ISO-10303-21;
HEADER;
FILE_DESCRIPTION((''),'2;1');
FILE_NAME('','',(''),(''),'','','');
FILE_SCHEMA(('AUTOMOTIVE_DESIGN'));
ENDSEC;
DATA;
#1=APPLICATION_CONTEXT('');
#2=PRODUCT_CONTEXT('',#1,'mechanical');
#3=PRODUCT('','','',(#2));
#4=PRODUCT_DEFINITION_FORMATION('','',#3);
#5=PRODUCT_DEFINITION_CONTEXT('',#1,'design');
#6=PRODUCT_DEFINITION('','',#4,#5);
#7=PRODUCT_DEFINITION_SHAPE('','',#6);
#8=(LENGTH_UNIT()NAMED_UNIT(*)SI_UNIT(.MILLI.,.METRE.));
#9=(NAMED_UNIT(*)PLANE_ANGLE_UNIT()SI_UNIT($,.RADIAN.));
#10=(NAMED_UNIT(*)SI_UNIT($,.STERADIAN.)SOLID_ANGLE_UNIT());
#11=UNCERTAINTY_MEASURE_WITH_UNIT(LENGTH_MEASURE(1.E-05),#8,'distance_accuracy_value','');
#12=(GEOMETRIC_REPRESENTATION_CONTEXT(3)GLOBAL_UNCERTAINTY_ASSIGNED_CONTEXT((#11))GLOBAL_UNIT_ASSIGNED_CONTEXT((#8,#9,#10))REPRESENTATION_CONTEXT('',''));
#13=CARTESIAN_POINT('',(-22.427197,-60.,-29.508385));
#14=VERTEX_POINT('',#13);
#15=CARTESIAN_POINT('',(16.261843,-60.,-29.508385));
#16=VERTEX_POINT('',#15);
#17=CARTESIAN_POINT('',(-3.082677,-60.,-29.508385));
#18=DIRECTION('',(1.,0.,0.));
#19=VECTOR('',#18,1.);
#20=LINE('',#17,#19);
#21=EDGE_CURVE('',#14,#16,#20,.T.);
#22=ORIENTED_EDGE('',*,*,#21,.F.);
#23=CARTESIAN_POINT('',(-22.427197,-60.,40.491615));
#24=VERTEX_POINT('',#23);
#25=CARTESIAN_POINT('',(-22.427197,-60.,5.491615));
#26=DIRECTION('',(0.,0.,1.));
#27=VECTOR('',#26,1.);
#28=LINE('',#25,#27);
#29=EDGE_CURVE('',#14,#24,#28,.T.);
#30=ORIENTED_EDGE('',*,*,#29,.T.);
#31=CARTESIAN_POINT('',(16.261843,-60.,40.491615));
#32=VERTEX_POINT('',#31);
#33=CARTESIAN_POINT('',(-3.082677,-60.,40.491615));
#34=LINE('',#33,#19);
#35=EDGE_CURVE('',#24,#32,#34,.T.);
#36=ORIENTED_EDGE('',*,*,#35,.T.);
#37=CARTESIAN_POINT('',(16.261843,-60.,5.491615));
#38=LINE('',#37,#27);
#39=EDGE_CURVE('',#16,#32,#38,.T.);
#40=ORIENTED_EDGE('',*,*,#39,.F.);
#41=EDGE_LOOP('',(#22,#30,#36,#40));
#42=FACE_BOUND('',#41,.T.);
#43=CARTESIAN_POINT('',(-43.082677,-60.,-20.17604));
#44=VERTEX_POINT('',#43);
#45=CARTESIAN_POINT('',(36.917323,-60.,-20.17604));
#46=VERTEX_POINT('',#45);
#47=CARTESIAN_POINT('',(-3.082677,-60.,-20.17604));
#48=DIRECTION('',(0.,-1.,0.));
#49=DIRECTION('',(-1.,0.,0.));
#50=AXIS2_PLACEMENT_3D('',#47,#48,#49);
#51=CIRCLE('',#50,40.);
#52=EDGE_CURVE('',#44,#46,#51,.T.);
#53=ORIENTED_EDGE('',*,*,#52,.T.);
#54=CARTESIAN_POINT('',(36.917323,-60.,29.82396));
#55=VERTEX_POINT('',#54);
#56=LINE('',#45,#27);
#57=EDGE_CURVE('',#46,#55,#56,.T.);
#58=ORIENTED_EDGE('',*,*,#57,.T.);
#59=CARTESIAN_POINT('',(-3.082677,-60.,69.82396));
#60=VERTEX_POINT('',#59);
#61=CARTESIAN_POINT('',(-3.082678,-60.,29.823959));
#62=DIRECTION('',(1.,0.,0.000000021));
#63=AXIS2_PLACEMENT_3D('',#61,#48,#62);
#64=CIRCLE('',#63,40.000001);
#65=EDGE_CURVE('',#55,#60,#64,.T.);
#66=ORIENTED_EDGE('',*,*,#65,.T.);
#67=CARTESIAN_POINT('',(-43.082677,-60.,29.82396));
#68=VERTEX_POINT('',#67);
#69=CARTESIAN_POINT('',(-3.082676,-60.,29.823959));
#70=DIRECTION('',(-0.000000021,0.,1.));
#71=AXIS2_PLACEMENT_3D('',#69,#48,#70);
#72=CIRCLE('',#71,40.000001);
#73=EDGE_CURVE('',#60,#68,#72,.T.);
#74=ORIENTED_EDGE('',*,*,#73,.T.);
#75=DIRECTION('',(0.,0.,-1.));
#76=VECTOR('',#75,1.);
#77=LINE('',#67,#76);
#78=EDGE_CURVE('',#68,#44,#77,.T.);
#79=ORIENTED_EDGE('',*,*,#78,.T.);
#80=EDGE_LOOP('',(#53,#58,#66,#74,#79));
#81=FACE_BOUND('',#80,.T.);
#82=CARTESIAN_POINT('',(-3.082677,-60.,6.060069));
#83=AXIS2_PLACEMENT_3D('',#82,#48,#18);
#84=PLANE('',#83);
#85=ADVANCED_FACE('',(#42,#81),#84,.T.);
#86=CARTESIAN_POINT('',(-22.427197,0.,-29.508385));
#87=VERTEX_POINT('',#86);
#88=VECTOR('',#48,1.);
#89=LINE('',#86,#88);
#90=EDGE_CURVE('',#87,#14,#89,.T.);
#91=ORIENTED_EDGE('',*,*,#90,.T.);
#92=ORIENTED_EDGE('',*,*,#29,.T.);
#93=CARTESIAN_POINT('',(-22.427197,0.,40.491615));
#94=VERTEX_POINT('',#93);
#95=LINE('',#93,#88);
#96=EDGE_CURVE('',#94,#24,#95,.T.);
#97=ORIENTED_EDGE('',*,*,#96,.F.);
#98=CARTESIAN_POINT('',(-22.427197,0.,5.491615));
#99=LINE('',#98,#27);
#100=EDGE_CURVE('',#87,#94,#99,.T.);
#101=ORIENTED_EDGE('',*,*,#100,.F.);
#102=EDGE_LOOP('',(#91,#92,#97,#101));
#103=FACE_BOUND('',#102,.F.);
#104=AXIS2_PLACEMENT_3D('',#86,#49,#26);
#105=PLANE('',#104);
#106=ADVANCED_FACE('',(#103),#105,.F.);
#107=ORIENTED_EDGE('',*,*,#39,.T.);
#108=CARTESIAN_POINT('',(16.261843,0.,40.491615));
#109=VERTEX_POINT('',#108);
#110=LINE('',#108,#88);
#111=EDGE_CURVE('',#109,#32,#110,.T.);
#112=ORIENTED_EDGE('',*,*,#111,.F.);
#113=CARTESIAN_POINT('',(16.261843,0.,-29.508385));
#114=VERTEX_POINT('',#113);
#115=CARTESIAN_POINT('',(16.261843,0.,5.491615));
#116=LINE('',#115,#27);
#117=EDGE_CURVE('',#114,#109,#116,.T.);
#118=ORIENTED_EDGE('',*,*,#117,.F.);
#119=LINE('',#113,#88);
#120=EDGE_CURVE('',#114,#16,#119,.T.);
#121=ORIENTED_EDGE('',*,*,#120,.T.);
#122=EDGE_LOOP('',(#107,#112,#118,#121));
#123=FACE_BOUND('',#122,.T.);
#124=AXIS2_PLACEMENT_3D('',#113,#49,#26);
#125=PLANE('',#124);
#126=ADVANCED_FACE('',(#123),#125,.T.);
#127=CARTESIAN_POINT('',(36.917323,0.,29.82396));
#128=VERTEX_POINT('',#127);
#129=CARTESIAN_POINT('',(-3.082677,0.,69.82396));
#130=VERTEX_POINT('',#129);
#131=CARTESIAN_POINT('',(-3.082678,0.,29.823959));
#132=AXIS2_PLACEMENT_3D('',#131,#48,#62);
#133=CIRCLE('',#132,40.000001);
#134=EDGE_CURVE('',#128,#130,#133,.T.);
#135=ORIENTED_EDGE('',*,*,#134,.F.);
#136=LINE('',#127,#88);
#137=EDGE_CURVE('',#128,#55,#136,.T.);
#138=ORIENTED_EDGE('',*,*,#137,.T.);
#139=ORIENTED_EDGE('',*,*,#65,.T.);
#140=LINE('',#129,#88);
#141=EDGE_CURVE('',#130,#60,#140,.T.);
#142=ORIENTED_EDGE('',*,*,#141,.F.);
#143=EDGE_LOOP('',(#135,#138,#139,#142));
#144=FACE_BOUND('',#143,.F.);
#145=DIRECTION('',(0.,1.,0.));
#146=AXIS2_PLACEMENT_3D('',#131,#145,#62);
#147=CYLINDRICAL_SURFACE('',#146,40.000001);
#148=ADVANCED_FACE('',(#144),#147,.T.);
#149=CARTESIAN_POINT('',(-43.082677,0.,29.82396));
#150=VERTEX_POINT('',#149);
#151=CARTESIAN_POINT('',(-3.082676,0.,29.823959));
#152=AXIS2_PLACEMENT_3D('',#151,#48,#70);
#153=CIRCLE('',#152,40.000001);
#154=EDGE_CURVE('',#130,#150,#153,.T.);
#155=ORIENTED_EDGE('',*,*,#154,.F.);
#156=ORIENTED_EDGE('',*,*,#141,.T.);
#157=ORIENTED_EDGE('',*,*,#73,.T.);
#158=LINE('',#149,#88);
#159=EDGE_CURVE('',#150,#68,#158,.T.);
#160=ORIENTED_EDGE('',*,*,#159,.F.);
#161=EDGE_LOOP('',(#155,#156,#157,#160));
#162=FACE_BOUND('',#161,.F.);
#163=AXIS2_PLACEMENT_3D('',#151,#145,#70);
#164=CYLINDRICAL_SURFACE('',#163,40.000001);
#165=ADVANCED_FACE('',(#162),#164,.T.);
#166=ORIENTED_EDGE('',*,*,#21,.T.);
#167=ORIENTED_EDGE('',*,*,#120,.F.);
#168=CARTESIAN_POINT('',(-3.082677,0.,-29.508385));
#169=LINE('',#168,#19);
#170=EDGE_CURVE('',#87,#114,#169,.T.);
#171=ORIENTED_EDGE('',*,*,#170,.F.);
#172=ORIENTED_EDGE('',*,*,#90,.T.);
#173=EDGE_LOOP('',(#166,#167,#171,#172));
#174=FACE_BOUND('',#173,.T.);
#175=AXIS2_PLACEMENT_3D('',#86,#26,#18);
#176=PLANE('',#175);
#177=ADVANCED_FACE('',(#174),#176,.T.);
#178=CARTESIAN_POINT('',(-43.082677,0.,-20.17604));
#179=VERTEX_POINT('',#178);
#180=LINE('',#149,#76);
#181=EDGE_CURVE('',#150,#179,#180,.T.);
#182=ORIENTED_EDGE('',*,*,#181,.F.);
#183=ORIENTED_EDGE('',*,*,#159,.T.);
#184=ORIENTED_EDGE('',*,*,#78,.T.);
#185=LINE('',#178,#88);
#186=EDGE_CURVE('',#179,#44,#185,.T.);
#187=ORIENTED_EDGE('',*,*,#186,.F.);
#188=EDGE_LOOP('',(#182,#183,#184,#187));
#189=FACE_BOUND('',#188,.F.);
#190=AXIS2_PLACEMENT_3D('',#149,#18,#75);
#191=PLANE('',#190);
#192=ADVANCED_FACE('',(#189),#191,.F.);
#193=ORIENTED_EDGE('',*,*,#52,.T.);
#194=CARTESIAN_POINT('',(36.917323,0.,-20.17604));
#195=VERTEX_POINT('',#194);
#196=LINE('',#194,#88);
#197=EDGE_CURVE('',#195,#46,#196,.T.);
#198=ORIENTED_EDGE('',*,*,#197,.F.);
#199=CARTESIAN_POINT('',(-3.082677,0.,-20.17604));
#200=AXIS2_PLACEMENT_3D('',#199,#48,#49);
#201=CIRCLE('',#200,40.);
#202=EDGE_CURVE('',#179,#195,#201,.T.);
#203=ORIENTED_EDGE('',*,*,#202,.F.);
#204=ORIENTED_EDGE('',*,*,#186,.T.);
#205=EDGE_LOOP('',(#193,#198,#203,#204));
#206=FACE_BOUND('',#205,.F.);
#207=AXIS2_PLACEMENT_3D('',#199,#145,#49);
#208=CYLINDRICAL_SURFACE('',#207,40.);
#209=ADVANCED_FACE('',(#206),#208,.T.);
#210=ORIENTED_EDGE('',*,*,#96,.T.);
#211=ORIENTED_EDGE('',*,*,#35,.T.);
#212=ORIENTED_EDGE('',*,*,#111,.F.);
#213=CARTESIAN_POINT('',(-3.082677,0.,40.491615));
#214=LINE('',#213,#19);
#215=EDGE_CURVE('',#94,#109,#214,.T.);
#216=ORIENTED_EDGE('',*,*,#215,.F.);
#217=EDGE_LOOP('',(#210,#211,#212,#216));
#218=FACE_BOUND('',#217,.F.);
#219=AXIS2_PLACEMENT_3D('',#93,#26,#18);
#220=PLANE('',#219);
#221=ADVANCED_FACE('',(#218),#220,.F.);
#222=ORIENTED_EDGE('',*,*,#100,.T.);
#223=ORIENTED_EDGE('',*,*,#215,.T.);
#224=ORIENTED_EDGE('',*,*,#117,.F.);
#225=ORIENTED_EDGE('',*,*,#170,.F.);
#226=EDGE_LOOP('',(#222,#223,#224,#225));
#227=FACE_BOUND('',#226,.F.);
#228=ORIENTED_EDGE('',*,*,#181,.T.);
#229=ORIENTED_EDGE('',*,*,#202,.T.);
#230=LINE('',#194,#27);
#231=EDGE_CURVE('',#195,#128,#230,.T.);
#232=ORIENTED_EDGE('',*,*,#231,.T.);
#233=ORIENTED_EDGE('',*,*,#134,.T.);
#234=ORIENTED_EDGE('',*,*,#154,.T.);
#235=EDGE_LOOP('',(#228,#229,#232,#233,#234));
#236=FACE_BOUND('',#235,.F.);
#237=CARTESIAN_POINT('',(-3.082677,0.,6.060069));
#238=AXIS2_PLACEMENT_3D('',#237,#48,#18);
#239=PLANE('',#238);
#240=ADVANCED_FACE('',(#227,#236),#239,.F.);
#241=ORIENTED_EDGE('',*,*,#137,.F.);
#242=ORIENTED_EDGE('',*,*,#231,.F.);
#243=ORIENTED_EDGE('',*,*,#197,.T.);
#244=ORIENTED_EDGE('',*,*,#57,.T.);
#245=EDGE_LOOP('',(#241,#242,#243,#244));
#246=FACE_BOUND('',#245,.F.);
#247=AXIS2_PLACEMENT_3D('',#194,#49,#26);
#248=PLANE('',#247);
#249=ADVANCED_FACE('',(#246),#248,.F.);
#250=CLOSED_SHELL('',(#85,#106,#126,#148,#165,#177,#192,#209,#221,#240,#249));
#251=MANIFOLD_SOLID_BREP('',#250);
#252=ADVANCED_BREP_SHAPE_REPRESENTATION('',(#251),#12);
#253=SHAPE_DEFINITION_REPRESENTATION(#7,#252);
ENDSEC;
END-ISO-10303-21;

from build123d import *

# Parameters (mm, degrees)
F0_W     = 38.68904
F0_H     = 70
F1_DEPTH = 60


with BuildPart() as f1:
    # F0 (on Front) → F1 (new body)
    with BuildSketch(Plane.XZ):
        with BuildLine():
            ThreePointArc((-3.082677, 69.82396), (-31.366948, 58.108231), (-43.082677, 29.82396))
            Line((-43.082677, 29.82396), (-43.082677, -20.17604))
            ThreePointArc((-43.082677, -20.17604), (-3.082677, -60.17604), (36.917323, -20.17604))
            Line((36.917323, -20.17604), (36.917323, 29.82396))
            ThreePointArc((36.917323, 29.82396), (25.201594, 58.108231), (-3.082677, 69.82396))
        make_face()
        with Locations((-3.082677, 5.491615)):
            Rectangle(F0_W, F0_H, mode=Mode.SUBTRACT)
    extrude(amount=F1_DEPTH)


solid = f1.part
